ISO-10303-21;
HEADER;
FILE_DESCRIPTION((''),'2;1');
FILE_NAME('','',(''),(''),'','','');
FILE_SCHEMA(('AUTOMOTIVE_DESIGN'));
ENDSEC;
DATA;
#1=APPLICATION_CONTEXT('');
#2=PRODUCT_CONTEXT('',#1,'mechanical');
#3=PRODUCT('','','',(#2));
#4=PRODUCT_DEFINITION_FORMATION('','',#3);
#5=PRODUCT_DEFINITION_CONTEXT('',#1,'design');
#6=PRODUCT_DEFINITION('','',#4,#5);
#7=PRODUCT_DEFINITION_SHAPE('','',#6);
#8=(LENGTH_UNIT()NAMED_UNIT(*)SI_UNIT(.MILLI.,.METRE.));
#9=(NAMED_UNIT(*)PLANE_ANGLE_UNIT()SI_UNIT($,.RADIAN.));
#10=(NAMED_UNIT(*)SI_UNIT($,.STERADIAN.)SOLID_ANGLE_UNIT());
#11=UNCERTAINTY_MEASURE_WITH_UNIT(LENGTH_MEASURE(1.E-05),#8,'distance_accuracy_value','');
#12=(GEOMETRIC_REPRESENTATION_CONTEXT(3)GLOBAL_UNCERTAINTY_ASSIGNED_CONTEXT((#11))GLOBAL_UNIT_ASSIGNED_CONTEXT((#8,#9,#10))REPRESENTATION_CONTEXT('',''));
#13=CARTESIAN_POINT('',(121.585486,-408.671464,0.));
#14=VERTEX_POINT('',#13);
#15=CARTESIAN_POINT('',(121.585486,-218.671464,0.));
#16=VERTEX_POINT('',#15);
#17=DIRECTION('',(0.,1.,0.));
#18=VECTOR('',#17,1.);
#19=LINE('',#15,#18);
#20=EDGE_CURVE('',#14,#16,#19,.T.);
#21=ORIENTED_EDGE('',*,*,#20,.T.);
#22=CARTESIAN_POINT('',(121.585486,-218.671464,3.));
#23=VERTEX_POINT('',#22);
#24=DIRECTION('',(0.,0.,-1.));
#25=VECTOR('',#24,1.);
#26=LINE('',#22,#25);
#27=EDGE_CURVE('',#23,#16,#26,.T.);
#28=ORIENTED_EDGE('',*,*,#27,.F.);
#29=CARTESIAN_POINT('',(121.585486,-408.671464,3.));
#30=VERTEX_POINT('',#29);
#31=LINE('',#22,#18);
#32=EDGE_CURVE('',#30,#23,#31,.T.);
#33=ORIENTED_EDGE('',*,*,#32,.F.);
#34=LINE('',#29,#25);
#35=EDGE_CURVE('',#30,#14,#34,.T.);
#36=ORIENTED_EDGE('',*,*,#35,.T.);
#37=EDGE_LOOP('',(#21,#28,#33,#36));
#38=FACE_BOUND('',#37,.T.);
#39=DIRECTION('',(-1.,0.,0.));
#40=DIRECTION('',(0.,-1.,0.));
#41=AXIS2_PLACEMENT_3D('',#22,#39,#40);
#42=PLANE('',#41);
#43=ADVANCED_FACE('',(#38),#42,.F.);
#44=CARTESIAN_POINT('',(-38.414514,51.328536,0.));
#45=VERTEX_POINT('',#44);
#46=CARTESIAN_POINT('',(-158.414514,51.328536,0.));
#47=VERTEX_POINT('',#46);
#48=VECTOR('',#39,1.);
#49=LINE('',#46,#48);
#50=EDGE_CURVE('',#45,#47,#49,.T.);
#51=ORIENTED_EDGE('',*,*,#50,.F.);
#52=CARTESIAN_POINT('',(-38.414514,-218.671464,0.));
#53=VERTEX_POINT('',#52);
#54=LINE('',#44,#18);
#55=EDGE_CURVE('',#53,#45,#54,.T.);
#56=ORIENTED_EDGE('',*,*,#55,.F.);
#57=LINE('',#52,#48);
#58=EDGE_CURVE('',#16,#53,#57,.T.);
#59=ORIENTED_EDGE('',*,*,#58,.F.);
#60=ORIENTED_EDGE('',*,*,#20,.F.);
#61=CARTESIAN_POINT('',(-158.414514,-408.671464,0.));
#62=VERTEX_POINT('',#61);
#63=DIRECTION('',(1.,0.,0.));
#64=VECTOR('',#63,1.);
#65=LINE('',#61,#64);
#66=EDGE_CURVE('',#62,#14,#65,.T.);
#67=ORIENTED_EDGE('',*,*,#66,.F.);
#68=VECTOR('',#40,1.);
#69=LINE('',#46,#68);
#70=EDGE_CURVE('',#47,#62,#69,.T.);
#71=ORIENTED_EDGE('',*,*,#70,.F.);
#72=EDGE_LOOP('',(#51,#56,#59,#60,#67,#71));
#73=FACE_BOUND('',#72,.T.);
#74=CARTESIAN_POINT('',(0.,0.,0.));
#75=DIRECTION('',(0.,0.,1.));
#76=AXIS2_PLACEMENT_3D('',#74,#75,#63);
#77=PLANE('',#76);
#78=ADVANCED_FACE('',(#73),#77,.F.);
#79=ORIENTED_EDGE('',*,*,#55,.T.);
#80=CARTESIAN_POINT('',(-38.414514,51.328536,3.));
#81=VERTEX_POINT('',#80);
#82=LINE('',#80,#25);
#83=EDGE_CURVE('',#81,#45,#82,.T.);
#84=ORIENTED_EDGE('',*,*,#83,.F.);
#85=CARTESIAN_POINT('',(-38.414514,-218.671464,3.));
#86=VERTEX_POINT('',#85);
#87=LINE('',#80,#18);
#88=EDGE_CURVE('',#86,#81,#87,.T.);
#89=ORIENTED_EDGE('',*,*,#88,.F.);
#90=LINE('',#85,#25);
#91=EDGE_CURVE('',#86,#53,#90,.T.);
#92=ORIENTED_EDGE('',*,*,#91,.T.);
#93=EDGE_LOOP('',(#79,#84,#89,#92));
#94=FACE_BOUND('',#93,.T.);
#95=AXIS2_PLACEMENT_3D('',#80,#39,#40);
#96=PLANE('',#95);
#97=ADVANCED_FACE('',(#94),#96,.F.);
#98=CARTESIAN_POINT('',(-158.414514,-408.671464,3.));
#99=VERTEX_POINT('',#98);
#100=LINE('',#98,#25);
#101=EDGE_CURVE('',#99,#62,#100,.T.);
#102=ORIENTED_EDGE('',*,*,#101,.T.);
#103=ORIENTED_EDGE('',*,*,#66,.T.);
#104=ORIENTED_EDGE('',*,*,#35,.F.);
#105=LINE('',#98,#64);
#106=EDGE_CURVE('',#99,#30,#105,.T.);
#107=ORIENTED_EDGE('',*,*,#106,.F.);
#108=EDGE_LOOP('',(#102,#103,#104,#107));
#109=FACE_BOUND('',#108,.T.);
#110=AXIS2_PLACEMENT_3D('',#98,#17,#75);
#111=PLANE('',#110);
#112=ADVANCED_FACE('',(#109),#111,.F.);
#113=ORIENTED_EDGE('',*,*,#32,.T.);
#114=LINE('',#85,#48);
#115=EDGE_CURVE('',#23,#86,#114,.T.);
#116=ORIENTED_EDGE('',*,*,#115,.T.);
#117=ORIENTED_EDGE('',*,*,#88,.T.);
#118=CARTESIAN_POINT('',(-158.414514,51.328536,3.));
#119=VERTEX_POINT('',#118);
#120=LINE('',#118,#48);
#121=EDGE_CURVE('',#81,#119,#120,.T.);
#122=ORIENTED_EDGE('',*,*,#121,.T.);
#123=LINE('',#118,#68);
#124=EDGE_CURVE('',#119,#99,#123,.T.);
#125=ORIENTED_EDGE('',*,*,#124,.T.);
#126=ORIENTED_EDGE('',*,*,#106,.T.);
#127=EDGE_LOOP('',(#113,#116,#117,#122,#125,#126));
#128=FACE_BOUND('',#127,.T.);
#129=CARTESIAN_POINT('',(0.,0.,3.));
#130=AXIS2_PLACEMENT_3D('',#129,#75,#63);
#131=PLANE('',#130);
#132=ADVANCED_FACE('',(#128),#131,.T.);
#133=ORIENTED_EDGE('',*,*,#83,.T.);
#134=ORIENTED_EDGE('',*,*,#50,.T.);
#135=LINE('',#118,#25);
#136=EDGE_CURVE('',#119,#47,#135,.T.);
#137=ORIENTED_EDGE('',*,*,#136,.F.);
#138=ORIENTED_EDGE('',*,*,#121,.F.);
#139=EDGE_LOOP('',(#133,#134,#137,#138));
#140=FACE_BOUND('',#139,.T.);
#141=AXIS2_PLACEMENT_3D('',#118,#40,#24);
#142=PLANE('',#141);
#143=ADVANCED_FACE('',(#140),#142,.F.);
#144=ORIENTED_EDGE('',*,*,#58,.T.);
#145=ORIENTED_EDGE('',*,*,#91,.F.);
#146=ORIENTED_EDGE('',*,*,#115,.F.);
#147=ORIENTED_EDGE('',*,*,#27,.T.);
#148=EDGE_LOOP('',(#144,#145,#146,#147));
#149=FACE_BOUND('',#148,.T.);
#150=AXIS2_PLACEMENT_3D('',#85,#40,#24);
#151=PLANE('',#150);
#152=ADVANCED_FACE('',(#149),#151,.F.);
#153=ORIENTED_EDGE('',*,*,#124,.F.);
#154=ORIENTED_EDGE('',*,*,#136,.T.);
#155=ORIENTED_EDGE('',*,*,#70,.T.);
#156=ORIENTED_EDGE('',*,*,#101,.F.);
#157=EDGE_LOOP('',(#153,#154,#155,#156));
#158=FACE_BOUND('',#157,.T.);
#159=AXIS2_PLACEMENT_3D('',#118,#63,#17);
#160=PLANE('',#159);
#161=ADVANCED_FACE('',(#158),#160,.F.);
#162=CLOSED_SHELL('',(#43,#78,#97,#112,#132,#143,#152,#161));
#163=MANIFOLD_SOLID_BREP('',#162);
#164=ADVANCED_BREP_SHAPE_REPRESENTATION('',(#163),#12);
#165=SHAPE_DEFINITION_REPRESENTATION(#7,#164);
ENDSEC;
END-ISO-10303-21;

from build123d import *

# Parameters (mm, degrees)
BOSS_EXTRU_1_DEPTH = 3


with BuildPart() as part:
    # Esquisse1 → Boss.-Extru.1 (new body)
    with BuildSketch(Plane.XY):
        Polygon((-158.414514075, -408.671464143), (121.585485925, -408.671464143), (121.585485925, -218.671464143), (-38.414514075, -218.671464143), (-38.414514075, 51.328535857), (-158.414514075, 51.328535857), align=None)
    extrude(amount=BOSS_EXTRU_1_DEPTH)


solid = part.part
